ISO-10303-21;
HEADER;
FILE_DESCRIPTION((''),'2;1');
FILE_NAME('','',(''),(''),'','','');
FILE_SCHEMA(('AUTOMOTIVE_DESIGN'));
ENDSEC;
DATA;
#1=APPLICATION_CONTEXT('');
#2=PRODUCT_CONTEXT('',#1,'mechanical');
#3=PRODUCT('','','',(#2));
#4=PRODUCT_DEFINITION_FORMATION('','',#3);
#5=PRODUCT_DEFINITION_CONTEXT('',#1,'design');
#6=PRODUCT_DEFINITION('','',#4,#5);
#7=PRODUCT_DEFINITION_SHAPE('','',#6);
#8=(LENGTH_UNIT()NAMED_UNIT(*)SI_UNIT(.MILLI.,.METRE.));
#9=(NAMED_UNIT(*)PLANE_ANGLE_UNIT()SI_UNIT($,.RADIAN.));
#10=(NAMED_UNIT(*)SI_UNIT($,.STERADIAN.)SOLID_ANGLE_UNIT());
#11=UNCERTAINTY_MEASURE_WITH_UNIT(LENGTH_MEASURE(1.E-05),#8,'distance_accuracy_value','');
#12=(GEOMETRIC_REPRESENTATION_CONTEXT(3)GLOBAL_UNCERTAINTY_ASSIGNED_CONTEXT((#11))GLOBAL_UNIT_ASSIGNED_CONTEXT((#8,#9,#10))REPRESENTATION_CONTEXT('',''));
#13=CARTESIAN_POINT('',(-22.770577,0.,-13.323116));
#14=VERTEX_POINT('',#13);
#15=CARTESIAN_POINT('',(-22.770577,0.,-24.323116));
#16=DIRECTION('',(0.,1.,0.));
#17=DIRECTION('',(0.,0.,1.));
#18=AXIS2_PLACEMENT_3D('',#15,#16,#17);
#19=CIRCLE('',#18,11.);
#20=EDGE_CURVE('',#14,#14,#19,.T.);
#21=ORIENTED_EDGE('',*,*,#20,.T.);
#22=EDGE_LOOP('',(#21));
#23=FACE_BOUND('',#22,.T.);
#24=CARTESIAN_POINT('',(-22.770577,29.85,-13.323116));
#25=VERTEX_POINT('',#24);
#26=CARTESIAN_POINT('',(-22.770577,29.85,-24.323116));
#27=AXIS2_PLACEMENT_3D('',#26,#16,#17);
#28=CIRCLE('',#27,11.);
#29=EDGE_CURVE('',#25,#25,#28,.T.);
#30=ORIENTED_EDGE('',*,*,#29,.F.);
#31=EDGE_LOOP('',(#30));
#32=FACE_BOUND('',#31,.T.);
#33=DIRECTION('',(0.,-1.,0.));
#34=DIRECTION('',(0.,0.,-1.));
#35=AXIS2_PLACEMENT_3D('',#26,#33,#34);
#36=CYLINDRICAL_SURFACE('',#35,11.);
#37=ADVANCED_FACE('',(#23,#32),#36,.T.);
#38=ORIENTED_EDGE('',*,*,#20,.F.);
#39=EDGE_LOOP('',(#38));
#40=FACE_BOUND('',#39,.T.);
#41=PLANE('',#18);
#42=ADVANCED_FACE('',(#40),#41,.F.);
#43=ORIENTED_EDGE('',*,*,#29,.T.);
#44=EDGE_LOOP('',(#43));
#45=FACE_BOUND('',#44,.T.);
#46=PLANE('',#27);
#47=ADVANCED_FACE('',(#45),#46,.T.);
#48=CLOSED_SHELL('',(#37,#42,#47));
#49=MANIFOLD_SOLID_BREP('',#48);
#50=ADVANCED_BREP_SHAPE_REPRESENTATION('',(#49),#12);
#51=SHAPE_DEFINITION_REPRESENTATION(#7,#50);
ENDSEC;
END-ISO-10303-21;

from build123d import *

# Parameters (mm, degrees)
SKETCH1_R           = 11
BOSS_EXTRUDE2_DEPTH = 29.85


with BuildPart() as part:
    # Sketch1 → Boss-Extrude2 (new body)
    with BuildSketch(Plane(origin=(0, 0, 0), x_dir=(1, 0, 0), z_dir=(0, 1, 0))):
        with Locations((-22.770576779, 24.323116105)):
            Circle(SKETCH1_R)
    extrude(amount=BOSS_EXTRUDE2_DEPTH)


solid = part.part
